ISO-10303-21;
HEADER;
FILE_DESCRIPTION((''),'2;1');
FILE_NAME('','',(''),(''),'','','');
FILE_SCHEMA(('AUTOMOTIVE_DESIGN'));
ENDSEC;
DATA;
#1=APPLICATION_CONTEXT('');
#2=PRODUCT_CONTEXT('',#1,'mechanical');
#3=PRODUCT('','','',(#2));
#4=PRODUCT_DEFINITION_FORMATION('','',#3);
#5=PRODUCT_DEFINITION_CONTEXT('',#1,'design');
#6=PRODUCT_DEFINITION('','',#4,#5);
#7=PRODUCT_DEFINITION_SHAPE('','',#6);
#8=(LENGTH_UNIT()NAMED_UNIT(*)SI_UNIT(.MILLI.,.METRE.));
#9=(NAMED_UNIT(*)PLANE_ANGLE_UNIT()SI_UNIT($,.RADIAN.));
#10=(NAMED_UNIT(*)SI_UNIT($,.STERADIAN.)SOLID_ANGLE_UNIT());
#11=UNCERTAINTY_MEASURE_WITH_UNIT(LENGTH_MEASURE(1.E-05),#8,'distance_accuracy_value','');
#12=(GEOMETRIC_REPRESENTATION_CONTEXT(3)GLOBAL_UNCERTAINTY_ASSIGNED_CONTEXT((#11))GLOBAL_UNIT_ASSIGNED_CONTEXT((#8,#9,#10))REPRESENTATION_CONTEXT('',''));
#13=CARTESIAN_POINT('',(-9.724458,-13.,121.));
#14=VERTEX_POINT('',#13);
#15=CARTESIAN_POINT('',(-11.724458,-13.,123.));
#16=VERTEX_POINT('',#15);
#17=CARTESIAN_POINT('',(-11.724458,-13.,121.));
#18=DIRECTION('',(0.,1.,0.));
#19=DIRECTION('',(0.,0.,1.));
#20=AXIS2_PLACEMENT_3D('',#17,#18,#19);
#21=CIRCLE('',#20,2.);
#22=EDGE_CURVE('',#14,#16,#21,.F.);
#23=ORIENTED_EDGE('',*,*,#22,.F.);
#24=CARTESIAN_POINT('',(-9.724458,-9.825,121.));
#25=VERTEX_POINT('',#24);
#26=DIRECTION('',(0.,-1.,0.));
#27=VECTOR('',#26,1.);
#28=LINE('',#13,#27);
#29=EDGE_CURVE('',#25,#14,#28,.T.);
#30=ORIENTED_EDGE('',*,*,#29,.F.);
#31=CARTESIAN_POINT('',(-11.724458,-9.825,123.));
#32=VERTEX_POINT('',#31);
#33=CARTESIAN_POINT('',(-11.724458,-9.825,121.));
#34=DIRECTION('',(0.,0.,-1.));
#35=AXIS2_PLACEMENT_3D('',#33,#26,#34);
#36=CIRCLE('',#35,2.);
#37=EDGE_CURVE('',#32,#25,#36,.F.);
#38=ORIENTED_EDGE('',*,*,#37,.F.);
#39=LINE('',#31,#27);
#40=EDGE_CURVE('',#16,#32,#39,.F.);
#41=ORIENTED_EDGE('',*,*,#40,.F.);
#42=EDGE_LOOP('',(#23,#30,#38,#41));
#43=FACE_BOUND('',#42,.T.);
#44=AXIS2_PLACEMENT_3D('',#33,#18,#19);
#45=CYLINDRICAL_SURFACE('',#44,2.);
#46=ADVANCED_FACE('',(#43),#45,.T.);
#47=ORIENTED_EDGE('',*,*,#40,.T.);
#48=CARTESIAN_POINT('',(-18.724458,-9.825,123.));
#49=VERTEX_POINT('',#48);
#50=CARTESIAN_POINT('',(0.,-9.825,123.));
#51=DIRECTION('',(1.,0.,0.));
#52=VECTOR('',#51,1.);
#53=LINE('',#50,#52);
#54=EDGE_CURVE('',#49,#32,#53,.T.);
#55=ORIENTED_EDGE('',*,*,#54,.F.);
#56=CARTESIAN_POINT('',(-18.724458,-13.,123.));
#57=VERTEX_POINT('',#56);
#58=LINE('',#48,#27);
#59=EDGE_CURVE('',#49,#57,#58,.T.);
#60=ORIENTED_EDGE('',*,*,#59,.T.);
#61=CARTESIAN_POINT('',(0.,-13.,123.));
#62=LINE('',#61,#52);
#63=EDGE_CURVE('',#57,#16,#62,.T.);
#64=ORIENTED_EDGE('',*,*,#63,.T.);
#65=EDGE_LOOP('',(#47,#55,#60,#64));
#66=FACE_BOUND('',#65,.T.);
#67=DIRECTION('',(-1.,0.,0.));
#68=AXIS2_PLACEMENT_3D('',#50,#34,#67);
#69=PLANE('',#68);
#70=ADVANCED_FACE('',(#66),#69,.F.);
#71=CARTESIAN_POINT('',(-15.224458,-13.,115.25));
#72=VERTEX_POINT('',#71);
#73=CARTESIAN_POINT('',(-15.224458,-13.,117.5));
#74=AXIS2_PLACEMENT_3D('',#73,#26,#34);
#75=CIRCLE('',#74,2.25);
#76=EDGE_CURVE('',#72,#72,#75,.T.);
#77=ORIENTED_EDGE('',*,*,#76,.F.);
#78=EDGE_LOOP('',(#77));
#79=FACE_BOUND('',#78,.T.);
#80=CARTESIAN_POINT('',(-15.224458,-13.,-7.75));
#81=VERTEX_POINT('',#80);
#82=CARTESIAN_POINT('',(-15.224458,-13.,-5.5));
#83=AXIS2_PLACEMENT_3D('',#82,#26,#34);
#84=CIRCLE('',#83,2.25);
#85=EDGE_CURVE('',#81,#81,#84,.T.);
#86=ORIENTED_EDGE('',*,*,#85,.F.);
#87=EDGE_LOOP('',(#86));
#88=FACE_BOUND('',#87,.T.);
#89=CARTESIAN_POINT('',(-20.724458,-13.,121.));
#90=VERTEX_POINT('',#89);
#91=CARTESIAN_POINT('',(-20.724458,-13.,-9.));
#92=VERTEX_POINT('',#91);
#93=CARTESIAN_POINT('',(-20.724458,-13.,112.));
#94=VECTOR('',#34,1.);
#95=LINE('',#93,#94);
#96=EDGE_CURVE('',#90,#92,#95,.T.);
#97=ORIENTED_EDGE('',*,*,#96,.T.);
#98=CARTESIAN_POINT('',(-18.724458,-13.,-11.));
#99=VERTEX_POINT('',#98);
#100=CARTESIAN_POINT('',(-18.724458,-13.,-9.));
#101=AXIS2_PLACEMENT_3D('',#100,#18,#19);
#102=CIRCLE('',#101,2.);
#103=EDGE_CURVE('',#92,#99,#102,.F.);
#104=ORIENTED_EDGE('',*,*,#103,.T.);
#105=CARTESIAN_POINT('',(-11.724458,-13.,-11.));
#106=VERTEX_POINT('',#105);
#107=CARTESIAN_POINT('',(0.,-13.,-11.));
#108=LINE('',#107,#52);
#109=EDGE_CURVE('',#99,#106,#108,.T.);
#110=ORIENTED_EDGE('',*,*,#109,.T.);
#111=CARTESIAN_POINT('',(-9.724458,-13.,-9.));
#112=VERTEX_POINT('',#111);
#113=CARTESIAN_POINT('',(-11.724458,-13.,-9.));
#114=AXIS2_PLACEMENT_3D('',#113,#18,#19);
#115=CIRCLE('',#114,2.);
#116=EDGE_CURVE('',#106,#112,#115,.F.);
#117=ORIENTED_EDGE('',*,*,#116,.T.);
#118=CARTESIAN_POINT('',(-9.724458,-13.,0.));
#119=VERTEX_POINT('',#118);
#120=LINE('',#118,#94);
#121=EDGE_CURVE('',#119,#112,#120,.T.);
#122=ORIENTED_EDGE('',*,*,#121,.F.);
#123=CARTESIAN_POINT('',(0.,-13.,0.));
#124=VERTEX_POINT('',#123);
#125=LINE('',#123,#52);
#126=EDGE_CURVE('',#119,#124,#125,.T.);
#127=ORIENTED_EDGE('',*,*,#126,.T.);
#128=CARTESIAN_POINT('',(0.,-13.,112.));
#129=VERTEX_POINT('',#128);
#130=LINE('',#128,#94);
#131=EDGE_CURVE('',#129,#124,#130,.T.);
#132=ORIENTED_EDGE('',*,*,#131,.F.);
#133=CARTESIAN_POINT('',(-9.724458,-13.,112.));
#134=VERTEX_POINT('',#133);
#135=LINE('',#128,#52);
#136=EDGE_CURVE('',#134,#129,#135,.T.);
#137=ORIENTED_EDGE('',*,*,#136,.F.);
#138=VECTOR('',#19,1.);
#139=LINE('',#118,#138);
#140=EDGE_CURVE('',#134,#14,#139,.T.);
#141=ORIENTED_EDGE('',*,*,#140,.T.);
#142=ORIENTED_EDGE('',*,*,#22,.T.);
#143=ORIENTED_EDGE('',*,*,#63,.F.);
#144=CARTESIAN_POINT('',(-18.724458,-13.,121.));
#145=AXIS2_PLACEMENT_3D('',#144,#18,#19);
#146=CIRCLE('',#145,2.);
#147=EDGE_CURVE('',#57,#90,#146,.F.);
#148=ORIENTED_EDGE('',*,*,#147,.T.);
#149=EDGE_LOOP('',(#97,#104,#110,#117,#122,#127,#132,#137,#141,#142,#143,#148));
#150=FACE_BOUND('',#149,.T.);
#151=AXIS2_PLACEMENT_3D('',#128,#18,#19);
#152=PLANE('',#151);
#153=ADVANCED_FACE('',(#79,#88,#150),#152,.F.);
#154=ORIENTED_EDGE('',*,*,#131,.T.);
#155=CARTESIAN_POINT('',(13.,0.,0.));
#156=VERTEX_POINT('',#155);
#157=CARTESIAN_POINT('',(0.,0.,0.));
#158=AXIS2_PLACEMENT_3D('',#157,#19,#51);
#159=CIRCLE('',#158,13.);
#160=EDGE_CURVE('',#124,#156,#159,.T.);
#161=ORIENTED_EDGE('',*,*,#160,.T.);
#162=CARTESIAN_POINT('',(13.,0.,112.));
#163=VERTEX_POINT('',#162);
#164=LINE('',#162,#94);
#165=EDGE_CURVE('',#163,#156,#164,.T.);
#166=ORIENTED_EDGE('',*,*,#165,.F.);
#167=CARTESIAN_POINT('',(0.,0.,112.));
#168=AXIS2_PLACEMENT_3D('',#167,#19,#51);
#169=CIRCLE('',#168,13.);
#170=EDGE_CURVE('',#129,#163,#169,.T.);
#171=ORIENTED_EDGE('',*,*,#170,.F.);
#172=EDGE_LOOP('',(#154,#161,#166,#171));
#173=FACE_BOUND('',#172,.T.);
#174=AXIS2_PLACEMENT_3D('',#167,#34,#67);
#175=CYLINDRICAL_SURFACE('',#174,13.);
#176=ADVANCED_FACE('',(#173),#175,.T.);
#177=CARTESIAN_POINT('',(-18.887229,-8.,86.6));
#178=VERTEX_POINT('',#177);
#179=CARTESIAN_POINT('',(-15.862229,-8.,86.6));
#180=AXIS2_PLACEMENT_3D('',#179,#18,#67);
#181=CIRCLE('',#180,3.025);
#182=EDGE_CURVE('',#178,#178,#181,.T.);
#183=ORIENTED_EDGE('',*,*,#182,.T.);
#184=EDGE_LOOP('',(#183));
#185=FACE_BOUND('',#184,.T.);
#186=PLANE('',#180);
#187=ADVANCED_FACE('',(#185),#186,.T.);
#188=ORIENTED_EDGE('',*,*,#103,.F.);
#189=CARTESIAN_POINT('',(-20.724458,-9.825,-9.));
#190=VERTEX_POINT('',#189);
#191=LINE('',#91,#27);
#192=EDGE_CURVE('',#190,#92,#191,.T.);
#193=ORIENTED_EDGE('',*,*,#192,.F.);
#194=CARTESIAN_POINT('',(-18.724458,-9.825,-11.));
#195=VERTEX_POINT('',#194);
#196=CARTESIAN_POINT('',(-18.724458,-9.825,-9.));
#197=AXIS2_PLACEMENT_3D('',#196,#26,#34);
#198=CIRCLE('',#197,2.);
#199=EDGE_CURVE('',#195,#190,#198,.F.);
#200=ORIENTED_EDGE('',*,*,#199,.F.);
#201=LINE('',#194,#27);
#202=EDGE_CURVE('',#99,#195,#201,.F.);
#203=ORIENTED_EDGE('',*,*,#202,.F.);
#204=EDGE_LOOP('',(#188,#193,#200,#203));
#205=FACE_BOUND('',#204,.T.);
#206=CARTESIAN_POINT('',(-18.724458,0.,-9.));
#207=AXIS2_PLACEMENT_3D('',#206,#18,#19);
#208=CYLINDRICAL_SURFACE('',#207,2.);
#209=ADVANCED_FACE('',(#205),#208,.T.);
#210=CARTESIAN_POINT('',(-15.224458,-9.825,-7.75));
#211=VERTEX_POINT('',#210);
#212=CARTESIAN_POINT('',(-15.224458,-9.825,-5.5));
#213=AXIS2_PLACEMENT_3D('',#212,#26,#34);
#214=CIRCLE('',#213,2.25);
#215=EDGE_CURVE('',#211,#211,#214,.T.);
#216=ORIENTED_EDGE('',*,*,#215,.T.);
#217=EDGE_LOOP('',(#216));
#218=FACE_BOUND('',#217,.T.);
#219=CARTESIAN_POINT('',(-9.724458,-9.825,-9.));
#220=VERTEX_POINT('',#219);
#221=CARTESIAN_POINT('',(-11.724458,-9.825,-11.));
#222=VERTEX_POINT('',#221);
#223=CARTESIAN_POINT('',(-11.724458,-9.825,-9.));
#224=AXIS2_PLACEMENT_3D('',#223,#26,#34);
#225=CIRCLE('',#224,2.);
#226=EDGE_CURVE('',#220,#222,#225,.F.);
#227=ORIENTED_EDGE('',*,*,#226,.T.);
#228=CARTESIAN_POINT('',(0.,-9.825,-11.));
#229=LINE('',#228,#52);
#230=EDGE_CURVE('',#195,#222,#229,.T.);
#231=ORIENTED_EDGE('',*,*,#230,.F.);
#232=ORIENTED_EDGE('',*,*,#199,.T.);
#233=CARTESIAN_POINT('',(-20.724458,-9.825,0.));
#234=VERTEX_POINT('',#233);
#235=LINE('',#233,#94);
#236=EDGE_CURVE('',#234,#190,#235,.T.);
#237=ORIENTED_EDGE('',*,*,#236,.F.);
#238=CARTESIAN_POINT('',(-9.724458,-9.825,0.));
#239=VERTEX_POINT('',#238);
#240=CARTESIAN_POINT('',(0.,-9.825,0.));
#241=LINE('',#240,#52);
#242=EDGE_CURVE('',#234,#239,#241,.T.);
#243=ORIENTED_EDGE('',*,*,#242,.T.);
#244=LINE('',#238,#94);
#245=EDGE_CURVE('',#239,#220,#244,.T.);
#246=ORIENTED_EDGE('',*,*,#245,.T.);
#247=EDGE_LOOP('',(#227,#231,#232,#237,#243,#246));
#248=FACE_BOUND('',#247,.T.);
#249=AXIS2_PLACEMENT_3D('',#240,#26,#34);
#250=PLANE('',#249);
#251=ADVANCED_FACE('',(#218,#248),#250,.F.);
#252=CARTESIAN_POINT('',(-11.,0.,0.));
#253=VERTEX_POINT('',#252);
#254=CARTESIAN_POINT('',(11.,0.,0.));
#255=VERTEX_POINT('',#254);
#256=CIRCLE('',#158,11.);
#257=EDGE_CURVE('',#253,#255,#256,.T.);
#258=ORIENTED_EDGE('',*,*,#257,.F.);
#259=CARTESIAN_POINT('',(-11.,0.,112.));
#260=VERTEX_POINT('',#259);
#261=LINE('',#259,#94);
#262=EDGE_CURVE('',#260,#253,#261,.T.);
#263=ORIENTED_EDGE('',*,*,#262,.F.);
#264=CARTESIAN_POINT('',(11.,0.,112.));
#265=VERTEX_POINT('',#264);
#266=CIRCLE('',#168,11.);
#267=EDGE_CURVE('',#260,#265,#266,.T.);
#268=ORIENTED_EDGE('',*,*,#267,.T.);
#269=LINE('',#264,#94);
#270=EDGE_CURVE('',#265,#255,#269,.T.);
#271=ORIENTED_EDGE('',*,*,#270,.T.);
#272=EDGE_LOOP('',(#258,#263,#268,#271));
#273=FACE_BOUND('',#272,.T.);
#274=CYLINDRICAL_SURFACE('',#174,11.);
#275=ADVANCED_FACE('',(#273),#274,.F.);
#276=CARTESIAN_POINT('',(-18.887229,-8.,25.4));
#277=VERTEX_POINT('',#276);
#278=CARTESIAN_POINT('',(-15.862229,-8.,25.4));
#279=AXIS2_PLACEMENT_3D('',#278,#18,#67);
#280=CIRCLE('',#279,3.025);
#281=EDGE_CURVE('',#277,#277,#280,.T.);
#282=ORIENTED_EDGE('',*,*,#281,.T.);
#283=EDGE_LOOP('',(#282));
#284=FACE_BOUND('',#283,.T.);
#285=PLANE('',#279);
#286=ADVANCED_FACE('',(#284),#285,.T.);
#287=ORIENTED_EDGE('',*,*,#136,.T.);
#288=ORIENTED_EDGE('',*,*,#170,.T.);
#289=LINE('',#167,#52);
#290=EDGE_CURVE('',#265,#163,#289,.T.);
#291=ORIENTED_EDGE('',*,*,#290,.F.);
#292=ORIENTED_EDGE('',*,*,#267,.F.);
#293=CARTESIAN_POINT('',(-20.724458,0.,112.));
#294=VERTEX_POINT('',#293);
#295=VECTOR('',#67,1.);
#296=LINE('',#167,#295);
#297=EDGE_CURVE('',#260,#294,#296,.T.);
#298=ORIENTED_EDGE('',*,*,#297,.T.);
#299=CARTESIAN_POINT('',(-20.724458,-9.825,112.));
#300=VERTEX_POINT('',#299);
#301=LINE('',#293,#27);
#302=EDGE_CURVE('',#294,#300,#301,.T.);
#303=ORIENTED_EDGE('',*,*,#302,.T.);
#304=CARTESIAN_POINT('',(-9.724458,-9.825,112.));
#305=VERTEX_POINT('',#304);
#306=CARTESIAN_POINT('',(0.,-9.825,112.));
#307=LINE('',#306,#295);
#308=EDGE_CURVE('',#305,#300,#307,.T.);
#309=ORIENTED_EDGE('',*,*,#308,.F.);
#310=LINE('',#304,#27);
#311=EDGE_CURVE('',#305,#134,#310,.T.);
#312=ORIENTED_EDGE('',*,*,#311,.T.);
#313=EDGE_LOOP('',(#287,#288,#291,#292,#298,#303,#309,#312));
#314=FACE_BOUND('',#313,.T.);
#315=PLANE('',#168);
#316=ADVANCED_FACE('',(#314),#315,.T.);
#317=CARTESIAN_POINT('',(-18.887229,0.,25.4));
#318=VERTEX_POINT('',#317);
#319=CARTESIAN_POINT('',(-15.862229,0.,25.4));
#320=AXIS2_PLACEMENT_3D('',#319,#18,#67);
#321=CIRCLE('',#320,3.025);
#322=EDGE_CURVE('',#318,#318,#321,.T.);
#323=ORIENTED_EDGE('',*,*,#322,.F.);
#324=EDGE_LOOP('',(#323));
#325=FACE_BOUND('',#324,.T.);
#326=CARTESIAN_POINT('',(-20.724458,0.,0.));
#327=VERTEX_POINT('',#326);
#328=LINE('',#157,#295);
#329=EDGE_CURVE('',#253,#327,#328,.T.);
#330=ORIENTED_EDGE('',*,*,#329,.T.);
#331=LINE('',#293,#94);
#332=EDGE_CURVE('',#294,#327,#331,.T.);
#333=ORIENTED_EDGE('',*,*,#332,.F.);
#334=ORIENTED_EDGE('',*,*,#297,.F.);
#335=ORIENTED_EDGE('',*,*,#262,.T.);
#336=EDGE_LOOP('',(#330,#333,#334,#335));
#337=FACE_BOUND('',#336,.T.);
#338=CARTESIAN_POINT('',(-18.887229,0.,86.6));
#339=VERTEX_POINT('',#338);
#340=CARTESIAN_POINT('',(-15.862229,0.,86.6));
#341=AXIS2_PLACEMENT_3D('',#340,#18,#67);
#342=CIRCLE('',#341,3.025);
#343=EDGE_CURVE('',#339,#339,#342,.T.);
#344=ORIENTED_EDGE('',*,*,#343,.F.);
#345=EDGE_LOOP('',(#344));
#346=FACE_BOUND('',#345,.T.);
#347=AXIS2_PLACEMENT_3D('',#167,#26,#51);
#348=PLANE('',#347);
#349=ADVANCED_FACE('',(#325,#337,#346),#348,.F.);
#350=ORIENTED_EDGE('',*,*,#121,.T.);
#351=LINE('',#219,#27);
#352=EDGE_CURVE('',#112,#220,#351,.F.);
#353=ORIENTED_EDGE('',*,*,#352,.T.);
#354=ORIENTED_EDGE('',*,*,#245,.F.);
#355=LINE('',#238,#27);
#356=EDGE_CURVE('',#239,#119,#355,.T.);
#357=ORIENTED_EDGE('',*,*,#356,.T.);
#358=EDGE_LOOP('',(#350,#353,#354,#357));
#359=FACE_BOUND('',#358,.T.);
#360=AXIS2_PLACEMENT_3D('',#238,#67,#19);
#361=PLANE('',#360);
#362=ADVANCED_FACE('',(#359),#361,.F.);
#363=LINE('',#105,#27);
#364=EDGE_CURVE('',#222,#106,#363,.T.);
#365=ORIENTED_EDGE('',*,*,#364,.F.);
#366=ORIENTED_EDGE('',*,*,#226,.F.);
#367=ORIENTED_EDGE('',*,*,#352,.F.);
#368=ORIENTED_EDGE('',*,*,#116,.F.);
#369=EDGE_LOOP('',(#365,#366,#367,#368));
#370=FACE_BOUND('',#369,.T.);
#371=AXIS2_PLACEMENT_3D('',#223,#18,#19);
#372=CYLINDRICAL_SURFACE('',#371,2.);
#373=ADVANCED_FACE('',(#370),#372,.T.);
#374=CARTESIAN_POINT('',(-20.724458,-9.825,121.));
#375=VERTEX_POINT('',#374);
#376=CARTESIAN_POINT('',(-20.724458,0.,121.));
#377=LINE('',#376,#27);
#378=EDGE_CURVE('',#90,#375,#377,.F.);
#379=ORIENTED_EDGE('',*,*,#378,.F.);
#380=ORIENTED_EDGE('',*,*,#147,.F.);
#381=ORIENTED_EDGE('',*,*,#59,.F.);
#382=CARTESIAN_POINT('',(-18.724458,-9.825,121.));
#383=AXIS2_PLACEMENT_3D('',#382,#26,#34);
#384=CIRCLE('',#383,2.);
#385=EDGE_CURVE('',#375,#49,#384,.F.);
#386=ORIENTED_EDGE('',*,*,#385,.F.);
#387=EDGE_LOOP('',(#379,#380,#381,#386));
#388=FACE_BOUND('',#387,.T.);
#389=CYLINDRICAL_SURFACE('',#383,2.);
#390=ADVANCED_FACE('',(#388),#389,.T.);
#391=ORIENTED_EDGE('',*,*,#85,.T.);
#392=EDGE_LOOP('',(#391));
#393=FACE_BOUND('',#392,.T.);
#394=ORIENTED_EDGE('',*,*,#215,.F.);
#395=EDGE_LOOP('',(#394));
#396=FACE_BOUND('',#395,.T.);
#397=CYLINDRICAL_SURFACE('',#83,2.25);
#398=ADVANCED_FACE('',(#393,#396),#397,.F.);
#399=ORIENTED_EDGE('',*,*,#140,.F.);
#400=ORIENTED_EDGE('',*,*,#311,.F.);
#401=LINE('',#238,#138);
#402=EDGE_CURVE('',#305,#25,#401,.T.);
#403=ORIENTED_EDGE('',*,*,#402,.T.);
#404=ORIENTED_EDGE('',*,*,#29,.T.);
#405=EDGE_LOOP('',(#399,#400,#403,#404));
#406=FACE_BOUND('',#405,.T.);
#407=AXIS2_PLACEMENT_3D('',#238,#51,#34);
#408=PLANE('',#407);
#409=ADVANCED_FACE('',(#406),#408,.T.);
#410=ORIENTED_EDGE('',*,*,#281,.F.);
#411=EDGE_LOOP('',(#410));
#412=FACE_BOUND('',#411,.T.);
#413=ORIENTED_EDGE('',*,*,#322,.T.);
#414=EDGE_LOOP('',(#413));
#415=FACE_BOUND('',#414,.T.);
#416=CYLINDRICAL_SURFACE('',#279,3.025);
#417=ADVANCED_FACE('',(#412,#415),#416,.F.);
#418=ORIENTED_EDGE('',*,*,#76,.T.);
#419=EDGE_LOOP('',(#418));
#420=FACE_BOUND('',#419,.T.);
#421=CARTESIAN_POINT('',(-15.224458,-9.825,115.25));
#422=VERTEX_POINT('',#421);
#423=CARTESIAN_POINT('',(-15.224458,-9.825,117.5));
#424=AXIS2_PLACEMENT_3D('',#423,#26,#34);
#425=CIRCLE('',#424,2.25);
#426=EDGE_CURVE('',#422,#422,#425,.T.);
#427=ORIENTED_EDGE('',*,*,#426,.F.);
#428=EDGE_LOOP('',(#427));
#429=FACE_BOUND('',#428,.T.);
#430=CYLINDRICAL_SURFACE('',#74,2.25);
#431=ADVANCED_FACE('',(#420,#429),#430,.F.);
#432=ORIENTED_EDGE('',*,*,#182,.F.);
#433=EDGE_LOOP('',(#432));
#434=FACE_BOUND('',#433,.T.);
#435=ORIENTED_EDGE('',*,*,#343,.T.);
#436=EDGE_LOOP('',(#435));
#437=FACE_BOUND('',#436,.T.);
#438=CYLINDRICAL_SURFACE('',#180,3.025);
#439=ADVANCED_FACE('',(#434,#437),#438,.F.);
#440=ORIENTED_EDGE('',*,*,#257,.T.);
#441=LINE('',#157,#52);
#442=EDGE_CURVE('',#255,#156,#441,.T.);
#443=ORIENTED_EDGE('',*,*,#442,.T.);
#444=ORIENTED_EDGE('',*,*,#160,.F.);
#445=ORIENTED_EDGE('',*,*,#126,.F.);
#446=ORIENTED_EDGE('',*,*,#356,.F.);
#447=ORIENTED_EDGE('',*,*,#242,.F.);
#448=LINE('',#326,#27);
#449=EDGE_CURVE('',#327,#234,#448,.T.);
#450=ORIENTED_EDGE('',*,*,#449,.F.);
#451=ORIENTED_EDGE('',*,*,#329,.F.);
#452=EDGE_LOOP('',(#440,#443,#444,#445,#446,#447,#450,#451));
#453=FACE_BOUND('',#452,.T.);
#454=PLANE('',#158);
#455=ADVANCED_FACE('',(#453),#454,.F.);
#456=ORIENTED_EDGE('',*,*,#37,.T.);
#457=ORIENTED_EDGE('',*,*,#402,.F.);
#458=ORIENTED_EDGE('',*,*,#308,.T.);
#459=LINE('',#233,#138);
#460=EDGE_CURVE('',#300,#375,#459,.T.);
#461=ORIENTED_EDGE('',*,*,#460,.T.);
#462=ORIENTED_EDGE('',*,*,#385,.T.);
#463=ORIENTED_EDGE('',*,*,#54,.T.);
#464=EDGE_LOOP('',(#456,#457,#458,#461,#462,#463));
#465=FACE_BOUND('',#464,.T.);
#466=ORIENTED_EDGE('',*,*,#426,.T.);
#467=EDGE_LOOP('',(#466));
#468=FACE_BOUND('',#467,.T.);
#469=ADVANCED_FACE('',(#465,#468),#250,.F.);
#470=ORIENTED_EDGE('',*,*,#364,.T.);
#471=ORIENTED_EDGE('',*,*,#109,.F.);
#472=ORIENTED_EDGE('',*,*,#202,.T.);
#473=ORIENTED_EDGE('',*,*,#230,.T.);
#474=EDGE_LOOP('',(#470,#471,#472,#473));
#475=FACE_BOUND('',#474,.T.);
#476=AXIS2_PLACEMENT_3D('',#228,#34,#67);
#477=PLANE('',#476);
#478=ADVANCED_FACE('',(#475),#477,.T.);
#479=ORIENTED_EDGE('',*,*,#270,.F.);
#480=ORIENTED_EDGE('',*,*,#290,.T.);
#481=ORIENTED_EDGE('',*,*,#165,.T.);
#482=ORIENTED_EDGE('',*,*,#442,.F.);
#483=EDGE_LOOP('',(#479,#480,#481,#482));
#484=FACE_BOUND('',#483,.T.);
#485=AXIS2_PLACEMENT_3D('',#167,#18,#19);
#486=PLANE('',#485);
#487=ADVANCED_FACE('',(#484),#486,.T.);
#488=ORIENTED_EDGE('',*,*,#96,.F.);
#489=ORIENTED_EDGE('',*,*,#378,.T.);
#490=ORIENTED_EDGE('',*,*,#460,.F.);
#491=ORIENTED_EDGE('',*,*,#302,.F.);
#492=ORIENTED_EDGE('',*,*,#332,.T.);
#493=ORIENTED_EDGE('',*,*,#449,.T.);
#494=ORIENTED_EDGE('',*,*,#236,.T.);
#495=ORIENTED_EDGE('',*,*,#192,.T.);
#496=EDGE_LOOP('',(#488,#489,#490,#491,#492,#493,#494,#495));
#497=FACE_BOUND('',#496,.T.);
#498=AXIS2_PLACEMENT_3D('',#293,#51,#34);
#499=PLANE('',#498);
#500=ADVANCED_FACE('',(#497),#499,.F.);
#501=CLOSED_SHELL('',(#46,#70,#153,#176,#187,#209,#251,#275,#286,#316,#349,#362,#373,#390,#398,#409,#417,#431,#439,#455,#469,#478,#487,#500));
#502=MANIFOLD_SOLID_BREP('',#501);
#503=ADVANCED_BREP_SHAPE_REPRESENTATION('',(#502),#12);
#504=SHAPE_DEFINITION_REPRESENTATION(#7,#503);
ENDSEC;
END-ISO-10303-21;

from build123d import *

# Parameters (mm, degrees)
BOSS_EXTRUDE1_DEPTH  = 112
SKETCH2_R            = 3.025
CUT_EXTRUDE1_DEPTH   = 8
SKETCH3_W            = 11
SKETCH3_H            = 11
BOSS_EXTRUDE2_DEPTH  = 3.175
FILLET1_R            = 2
M4_CLEARANCE_HOLE1_D = 4.5


with BuildPart() as part:
    # Sketch1 → Boss-Extrude1 (new body)
    with BuildSketch(Plane.XY):
        with BuildLine():
            ThreePointArc((0, -13), (-9.192388155, -9.192388155), (-13, 0))
            Line((-13, 0), (-20.724457785, 0))
            Line((-20.724457785, 0), (-20.724457785, -13))
            Line((-20.724457785, -13), (0, -13))
        make_face()
        with BuildLine():
            Line((-11, 0), (-13, 0))
            ThreePointArc((-13, 0), (-9.192388155, -9.192388155), (0, -13))
            ThreePointArc((0, -13), (9.192388155, -9.192388155), (13, 0))
            Line((13, 0), (11, 0))
            ThreePointArc((11, 0), (0, -11), (-11, 0))
        make_face()
    extrude(amount=BOSS_EXTRUDE1_DEPTH)

    # Sketch2 → Cut-Extrude1 (cut)
    with BuildSketch(Plane(origin=(0, 0, 0), x_dir=(1, 0, 0), z_dir=(0, 1, 0))):
        with Locations(Location((-15.862228893, -25.4, 0), (0, 0, 180))):
            Circle(SKETCH2_R)
        with Locations(Location((-15.862228893, -86.6, 0), (0, 0, 180))):
            Circle(SKETCH2_R)
    extrude(amount=-CUT_EXTRUDE1_DEPTH, mode=Mode.SUBTRACT)

    # Sketch3 → Boss-Extrude2 (add)
    with BuildSketch(Plane.XZ.offset(13)):
        with Locations((-15.224457785, 117.5)):
            Rectangle(SKETCH3_W, SKETCH3_H)
        with Locations((-15.224457785, -5.5)):
            Rectangle(SKETCH3_W, SKETCH3_H)
    extrude(amount=-BOSS_EXTRUDE2_DEPTH)

    # Fillet1
    fillet1_edges = [part.edges().sort_by_distance(p)[0] for p in [
        (-20.724457785, -11.4125, 123),
        (-9.724457785, -11.4125, 123),
        (-20.724457785, -11.4125, -11),
        (-9.724457785, -11.4125, -11),
    ]]
    fillet(fillet1_edges, radius=FILLET1_R)

    # M4 Clearance Hole1 (through all)
    with Locations(Plane(origin=(0, -13, 0), x_dir=(-1, 0, 0), z_dir=(0, -1, 0))):
        with Locations((15.224457785, 5.5), (15.224457785, -117.5)):
            Hole(M4_CLEARANCE_HOLE1_D / 2)


solid = part.part
